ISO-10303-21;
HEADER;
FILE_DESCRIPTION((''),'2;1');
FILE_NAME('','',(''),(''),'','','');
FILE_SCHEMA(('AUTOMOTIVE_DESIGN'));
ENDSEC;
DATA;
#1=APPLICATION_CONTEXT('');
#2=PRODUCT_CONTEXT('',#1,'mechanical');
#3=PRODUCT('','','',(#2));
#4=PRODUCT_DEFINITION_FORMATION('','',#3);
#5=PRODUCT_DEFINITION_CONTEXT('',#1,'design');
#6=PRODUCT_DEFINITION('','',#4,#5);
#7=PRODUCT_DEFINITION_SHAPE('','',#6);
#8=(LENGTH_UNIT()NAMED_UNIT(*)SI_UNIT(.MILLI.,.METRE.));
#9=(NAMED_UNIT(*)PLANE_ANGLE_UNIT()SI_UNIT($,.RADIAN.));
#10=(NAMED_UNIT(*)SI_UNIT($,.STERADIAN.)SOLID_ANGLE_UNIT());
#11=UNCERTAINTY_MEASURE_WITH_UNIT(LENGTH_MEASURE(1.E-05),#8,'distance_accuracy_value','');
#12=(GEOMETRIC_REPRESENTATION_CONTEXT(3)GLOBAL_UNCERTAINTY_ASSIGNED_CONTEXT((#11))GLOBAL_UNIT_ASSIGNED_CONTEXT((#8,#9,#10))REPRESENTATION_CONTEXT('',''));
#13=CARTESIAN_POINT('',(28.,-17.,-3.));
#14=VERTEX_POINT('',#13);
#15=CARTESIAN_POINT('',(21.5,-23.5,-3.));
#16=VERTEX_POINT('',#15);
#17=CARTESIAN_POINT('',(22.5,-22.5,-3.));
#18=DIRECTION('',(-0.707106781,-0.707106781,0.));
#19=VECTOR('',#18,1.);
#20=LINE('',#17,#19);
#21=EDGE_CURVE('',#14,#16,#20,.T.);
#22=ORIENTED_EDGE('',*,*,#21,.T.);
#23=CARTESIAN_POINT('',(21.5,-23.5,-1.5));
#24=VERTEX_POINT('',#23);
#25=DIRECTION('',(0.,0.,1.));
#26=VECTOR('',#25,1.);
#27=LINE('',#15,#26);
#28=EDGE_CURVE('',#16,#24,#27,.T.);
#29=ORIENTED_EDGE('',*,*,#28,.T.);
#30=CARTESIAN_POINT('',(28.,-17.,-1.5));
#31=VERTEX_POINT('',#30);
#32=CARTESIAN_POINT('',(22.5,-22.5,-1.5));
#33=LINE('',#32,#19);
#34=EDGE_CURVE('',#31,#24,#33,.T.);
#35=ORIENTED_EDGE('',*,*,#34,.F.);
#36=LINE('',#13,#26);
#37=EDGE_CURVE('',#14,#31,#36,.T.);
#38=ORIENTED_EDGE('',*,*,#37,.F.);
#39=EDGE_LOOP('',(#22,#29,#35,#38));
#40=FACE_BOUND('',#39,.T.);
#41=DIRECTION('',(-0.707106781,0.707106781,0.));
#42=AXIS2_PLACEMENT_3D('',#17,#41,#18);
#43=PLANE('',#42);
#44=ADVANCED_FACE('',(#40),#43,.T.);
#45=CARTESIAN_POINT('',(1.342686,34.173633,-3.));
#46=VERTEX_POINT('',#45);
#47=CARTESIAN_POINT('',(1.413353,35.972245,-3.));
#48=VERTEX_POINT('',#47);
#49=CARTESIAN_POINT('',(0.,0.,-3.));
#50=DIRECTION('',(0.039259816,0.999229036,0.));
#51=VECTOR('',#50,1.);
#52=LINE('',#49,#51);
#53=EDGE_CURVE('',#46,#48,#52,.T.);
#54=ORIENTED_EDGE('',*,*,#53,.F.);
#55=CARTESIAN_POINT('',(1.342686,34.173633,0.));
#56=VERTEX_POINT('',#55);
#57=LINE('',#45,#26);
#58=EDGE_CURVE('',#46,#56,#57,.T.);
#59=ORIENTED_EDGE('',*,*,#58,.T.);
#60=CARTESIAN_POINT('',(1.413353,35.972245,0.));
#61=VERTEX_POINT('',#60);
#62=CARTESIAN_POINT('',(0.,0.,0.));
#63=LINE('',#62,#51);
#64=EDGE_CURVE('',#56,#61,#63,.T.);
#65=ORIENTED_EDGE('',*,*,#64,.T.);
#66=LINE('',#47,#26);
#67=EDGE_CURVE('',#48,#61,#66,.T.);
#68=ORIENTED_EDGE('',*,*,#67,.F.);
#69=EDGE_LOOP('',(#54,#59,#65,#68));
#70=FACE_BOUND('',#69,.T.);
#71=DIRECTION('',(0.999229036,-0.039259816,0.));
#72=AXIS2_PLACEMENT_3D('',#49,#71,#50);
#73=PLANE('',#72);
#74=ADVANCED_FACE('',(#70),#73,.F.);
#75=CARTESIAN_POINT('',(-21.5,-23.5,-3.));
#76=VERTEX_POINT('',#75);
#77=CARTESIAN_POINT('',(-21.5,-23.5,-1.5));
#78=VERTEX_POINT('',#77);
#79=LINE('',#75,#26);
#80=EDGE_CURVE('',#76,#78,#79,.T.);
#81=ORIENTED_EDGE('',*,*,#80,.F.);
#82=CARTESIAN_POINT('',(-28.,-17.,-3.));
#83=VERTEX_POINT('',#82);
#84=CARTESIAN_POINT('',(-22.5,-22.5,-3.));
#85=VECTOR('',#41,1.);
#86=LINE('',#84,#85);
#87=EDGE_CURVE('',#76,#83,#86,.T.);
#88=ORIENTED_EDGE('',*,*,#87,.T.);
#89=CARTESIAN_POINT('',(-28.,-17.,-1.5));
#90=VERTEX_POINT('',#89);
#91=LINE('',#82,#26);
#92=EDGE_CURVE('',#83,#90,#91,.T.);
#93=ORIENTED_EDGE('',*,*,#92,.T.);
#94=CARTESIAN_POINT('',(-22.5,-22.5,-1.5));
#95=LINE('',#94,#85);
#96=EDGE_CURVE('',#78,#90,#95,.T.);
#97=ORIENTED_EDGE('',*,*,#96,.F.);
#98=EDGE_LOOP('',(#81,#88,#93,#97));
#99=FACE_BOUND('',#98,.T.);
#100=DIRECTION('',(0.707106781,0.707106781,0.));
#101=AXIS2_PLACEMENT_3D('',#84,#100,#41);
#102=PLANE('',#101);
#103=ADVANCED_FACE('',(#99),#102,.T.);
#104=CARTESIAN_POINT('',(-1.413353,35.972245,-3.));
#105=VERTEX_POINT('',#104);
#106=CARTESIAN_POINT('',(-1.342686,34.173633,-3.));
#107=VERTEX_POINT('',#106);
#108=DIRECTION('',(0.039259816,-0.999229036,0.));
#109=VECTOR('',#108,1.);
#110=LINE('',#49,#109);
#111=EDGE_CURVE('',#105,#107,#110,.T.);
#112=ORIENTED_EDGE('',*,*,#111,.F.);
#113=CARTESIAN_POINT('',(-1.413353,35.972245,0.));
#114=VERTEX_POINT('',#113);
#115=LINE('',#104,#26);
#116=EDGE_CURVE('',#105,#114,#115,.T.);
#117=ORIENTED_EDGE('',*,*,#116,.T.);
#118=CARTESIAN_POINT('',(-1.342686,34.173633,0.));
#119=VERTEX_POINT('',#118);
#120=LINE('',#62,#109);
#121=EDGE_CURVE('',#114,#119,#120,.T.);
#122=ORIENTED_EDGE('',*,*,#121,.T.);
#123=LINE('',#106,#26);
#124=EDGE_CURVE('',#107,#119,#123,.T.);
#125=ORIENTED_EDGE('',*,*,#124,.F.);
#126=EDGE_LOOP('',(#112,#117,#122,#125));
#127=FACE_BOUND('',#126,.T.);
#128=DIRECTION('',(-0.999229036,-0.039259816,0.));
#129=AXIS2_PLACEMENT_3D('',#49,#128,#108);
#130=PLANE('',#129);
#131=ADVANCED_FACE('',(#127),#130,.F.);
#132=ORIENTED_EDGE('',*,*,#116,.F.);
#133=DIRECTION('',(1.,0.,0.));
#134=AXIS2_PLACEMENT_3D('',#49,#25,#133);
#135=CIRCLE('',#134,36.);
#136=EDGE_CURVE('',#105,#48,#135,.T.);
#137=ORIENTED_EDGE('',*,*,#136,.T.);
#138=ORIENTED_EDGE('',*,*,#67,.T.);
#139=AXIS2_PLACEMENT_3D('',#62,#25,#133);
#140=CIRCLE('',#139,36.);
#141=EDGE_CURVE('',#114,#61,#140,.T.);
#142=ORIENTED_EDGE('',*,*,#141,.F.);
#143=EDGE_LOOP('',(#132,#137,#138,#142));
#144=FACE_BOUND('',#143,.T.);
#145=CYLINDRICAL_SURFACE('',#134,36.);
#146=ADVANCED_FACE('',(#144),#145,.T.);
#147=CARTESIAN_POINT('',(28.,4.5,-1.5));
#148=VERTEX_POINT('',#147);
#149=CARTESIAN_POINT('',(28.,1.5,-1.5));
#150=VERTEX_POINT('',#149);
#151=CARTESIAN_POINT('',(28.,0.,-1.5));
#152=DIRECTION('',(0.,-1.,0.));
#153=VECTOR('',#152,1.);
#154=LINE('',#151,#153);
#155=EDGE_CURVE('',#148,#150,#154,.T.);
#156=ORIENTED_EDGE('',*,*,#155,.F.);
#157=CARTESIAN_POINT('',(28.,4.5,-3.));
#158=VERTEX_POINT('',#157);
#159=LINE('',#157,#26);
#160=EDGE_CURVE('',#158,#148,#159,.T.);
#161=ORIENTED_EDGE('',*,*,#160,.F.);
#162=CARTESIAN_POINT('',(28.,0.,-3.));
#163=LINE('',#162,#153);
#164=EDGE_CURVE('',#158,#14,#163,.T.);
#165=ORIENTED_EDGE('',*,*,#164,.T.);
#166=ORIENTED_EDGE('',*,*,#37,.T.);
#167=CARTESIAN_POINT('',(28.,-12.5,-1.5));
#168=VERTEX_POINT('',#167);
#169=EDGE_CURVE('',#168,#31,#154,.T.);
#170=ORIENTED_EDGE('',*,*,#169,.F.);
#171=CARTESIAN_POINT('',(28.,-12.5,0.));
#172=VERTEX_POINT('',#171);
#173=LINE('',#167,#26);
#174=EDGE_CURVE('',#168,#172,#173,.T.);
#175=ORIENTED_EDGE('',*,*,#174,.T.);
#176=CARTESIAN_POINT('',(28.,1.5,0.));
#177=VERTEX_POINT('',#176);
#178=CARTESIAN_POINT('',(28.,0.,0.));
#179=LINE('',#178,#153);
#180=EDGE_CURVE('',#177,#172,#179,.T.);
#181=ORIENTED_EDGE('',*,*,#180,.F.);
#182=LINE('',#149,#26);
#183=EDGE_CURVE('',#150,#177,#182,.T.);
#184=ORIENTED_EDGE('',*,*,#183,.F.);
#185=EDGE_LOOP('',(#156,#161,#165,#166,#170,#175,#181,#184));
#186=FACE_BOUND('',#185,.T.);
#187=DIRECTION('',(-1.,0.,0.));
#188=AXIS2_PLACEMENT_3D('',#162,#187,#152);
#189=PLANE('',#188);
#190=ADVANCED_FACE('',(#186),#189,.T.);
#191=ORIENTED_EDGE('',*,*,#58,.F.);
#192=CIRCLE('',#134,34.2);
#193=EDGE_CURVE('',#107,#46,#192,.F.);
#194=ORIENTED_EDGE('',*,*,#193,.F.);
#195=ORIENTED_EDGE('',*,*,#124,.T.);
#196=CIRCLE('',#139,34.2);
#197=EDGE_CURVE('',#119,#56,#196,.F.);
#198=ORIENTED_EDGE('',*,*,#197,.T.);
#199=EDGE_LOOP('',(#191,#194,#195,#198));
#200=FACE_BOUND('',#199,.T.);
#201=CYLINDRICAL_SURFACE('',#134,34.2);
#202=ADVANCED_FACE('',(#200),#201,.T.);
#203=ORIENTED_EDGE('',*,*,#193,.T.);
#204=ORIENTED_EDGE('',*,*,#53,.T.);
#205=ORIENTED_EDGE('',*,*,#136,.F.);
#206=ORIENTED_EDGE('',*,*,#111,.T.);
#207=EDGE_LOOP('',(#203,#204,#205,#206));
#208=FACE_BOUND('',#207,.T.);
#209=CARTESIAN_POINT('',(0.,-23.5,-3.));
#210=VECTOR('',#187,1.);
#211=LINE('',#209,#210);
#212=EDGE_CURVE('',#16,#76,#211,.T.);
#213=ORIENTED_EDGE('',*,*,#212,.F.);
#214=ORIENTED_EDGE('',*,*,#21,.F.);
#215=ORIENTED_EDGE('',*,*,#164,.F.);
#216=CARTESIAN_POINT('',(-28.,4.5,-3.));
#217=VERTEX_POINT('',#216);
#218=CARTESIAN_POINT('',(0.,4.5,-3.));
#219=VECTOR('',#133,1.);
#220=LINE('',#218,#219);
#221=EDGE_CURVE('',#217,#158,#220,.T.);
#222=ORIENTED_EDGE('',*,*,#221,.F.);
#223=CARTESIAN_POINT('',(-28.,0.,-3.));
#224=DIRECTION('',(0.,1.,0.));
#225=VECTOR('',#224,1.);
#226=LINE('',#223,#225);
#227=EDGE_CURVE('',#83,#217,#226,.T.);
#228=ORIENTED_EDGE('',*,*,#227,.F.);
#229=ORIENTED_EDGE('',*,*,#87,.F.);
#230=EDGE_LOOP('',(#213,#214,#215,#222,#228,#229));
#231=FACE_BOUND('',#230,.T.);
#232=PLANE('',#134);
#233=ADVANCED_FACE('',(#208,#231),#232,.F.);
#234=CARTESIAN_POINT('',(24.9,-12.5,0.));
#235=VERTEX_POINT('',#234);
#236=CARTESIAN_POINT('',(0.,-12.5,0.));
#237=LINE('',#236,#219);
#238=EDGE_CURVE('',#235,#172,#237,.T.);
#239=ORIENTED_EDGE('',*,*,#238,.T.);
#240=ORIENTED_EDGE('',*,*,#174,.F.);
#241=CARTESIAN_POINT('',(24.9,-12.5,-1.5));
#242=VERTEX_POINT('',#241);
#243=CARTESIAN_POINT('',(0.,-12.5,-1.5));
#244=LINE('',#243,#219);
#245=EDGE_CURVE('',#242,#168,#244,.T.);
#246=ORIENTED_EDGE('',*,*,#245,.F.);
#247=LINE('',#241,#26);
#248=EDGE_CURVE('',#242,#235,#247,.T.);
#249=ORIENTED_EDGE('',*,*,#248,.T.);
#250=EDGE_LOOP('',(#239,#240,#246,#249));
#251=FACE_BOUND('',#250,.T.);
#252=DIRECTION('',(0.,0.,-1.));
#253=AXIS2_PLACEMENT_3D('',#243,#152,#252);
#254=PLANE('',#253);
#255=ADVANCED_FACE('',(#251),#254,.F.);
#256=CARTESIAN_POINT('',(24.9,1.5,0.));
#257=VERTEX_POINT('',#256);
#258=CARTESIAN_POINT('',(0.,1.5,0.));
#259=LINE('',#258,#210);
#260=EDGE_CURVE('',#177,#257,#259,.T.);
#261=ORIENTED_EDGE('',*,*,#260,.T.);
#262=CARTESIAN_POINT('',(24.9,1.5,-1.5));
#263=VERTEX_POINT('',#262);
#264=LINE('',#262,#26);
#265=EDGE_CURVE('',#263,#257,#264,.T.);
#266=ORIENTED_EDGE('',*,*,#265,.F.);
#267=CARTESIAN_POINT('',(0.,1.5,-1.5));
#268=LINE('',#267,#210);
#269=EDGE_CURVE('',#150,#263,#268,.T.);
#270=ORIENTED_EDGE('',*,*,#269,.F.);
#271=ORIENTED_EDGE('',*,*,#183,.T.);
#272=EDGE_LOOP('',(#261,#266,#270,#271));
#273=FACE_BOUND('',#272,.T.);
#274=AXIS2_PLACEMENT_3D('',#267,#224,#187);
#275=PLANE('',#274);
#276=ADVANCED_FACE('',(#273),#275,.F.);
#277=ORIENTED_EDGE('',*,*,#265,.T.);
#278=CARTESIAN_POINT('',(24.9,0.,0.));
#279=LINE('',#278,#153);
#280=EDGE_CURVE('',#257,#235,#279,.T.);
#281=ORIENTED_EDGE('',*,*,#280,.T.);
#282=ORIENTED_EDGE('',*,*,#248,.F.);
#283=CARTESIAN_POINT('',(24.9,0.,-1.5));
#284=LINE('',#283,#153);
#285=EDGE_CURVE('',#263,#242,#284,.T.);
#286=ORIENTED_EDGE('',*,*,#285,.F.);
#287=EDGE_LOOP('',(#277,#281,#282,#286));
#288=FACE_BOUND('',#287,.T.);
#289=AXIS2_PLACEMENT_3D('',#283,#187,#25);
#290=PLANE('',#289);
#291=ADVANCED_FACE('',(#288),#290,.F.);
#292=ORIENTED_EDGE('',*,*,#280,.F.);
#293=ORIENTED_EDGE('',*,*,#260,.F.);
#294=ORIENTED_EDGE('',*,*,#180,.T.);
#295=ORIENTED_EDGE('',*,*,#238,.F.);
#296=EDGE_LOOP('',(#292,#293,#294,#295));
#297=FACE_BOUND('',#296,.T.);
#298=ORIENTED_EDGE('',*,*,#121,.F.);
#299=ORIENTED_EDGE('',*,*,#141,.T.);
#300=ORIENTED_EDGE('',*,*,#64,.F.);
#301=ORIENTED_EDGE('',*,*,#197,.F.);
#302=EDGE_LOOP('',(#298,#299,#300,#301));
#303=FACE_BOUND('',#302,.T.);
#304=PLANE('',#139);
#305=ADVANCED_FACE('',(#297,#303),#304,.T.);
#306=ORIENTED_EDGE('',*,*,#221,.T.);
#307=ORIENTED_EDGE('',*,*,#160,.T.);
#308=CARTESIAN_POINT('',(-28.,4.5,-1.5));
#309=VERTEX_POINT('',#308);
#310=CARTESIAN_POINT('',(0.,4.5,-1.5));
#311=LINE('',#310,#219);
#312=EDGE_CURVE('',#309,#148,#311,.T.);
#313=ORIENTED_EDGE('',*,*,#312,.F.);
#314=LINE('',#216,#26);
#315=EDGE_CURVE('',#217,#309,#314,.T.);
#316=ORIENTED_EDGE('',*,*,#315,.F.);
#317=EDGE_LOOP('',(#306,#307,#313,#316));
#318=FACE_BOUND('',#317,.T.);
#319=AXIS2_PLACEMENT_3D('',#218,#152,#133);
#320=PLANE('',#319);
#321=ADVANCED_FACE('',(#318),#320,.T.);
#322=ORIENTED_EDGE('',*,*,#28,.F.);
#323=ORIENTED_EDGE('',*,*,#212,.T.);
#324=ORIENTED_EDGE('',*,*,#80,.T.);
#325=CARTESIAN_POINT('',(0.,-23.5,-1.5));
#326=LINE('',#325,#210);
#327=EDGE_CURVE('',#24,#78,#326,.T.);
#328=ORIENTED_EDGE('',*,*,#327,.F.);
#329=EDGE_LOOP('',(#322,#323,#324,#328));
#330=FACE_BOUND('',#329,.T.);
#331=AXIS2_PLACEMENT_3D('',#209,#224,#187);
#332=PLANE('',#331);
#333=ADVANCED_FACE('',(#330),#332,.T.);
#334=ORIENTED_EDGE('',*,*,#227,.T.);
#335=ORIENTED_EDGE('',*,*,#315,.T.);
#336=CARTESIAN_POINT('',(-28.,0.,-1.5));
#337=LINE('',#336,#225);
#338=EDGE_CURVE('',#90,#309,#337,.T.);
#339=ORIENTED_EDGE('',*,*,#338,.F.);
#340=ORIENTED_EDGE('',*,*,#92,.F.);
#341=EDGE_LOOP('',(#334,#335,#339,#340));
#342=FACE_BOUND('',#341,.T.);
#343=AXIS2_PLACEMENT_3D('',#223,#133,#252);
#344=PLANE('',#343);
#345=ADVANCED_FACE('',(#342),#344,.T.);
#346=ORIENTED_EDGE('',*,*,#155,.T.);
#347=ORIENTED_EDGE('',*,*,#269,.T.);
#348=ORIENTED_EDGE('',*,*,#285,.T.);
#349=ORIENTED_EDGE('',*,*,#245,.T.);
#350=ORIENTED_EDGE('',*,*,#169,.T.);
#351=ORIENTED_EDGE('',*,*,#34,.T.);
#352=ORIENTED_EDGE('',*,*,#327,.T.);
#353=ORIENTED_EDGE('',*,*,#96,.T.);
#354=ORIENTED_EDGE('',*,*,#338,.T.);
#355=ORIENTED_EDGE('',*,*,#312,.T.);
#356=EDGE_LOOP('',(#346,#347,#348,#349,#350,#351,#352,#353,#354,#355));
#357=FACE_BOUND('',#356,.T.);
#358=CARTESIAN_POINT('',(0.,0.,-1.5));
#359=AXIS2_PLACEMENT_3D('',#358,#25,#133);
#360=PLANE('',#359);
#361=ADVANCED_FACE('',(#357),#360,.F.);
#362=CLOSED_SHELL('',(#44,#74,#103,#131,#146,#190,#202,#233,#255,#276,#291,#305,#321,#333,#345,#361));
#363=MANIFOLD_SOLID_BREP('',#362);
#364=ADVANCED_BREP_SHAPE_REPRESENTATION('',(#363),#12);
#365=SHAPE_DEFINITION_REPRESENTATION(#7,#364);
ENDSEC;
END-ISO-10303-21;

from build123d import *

# Parameters (mm, degrees)
BOSS_EXTRUDE3_DEPTH = 3
BOSS_EXTRUDE4_DEPTH = 1.5


with BuildPart() as part:
    # Sketch1 → Boss-Extrude3 (new body)
    with BuildSketch(Plane.XY):
        with BuildLine():
            ThreePointArc((1.342685699, 34.173633039), (0, 34.2), (-1.342685699, 34.173633039))
            Line((-1.342685699, 34.173633039), (-1.413353367, 35.972245305))
            ThreePointArc((-1.413353367, 35.972245305), (0, -36), (1.413353367, 35.972245305))
            Line((1.413353367, 35.972245305), (1.342685699, 34.173633039))
        make_face()
        Polygon((21.5, -23.5), (-21.5, -23.5), (-28, -17), (-28, 4.5), (28, 4.5), (28, -17), align=None, mode=Mode.SUBTRACT)
    extrude(amount=-BOSS_EXTRUDE3_DEPTH)

    # Sketch1<9> → Boss-Extrude4 (add)
    with BuildSketch(Plane.XY):
        Polygon((28, 4.5), (-28, 4.5), (-28, -17), (-21.5, -23.5), (21.5, -23.5), (28, -17), (28, -12.5), (24.9, -12.5), (24.9, 1.5), (28, 1.5), align=None)
    extrude(amount=-BOSS_EXTRUDE4_DEPTH)


solid = part.part
